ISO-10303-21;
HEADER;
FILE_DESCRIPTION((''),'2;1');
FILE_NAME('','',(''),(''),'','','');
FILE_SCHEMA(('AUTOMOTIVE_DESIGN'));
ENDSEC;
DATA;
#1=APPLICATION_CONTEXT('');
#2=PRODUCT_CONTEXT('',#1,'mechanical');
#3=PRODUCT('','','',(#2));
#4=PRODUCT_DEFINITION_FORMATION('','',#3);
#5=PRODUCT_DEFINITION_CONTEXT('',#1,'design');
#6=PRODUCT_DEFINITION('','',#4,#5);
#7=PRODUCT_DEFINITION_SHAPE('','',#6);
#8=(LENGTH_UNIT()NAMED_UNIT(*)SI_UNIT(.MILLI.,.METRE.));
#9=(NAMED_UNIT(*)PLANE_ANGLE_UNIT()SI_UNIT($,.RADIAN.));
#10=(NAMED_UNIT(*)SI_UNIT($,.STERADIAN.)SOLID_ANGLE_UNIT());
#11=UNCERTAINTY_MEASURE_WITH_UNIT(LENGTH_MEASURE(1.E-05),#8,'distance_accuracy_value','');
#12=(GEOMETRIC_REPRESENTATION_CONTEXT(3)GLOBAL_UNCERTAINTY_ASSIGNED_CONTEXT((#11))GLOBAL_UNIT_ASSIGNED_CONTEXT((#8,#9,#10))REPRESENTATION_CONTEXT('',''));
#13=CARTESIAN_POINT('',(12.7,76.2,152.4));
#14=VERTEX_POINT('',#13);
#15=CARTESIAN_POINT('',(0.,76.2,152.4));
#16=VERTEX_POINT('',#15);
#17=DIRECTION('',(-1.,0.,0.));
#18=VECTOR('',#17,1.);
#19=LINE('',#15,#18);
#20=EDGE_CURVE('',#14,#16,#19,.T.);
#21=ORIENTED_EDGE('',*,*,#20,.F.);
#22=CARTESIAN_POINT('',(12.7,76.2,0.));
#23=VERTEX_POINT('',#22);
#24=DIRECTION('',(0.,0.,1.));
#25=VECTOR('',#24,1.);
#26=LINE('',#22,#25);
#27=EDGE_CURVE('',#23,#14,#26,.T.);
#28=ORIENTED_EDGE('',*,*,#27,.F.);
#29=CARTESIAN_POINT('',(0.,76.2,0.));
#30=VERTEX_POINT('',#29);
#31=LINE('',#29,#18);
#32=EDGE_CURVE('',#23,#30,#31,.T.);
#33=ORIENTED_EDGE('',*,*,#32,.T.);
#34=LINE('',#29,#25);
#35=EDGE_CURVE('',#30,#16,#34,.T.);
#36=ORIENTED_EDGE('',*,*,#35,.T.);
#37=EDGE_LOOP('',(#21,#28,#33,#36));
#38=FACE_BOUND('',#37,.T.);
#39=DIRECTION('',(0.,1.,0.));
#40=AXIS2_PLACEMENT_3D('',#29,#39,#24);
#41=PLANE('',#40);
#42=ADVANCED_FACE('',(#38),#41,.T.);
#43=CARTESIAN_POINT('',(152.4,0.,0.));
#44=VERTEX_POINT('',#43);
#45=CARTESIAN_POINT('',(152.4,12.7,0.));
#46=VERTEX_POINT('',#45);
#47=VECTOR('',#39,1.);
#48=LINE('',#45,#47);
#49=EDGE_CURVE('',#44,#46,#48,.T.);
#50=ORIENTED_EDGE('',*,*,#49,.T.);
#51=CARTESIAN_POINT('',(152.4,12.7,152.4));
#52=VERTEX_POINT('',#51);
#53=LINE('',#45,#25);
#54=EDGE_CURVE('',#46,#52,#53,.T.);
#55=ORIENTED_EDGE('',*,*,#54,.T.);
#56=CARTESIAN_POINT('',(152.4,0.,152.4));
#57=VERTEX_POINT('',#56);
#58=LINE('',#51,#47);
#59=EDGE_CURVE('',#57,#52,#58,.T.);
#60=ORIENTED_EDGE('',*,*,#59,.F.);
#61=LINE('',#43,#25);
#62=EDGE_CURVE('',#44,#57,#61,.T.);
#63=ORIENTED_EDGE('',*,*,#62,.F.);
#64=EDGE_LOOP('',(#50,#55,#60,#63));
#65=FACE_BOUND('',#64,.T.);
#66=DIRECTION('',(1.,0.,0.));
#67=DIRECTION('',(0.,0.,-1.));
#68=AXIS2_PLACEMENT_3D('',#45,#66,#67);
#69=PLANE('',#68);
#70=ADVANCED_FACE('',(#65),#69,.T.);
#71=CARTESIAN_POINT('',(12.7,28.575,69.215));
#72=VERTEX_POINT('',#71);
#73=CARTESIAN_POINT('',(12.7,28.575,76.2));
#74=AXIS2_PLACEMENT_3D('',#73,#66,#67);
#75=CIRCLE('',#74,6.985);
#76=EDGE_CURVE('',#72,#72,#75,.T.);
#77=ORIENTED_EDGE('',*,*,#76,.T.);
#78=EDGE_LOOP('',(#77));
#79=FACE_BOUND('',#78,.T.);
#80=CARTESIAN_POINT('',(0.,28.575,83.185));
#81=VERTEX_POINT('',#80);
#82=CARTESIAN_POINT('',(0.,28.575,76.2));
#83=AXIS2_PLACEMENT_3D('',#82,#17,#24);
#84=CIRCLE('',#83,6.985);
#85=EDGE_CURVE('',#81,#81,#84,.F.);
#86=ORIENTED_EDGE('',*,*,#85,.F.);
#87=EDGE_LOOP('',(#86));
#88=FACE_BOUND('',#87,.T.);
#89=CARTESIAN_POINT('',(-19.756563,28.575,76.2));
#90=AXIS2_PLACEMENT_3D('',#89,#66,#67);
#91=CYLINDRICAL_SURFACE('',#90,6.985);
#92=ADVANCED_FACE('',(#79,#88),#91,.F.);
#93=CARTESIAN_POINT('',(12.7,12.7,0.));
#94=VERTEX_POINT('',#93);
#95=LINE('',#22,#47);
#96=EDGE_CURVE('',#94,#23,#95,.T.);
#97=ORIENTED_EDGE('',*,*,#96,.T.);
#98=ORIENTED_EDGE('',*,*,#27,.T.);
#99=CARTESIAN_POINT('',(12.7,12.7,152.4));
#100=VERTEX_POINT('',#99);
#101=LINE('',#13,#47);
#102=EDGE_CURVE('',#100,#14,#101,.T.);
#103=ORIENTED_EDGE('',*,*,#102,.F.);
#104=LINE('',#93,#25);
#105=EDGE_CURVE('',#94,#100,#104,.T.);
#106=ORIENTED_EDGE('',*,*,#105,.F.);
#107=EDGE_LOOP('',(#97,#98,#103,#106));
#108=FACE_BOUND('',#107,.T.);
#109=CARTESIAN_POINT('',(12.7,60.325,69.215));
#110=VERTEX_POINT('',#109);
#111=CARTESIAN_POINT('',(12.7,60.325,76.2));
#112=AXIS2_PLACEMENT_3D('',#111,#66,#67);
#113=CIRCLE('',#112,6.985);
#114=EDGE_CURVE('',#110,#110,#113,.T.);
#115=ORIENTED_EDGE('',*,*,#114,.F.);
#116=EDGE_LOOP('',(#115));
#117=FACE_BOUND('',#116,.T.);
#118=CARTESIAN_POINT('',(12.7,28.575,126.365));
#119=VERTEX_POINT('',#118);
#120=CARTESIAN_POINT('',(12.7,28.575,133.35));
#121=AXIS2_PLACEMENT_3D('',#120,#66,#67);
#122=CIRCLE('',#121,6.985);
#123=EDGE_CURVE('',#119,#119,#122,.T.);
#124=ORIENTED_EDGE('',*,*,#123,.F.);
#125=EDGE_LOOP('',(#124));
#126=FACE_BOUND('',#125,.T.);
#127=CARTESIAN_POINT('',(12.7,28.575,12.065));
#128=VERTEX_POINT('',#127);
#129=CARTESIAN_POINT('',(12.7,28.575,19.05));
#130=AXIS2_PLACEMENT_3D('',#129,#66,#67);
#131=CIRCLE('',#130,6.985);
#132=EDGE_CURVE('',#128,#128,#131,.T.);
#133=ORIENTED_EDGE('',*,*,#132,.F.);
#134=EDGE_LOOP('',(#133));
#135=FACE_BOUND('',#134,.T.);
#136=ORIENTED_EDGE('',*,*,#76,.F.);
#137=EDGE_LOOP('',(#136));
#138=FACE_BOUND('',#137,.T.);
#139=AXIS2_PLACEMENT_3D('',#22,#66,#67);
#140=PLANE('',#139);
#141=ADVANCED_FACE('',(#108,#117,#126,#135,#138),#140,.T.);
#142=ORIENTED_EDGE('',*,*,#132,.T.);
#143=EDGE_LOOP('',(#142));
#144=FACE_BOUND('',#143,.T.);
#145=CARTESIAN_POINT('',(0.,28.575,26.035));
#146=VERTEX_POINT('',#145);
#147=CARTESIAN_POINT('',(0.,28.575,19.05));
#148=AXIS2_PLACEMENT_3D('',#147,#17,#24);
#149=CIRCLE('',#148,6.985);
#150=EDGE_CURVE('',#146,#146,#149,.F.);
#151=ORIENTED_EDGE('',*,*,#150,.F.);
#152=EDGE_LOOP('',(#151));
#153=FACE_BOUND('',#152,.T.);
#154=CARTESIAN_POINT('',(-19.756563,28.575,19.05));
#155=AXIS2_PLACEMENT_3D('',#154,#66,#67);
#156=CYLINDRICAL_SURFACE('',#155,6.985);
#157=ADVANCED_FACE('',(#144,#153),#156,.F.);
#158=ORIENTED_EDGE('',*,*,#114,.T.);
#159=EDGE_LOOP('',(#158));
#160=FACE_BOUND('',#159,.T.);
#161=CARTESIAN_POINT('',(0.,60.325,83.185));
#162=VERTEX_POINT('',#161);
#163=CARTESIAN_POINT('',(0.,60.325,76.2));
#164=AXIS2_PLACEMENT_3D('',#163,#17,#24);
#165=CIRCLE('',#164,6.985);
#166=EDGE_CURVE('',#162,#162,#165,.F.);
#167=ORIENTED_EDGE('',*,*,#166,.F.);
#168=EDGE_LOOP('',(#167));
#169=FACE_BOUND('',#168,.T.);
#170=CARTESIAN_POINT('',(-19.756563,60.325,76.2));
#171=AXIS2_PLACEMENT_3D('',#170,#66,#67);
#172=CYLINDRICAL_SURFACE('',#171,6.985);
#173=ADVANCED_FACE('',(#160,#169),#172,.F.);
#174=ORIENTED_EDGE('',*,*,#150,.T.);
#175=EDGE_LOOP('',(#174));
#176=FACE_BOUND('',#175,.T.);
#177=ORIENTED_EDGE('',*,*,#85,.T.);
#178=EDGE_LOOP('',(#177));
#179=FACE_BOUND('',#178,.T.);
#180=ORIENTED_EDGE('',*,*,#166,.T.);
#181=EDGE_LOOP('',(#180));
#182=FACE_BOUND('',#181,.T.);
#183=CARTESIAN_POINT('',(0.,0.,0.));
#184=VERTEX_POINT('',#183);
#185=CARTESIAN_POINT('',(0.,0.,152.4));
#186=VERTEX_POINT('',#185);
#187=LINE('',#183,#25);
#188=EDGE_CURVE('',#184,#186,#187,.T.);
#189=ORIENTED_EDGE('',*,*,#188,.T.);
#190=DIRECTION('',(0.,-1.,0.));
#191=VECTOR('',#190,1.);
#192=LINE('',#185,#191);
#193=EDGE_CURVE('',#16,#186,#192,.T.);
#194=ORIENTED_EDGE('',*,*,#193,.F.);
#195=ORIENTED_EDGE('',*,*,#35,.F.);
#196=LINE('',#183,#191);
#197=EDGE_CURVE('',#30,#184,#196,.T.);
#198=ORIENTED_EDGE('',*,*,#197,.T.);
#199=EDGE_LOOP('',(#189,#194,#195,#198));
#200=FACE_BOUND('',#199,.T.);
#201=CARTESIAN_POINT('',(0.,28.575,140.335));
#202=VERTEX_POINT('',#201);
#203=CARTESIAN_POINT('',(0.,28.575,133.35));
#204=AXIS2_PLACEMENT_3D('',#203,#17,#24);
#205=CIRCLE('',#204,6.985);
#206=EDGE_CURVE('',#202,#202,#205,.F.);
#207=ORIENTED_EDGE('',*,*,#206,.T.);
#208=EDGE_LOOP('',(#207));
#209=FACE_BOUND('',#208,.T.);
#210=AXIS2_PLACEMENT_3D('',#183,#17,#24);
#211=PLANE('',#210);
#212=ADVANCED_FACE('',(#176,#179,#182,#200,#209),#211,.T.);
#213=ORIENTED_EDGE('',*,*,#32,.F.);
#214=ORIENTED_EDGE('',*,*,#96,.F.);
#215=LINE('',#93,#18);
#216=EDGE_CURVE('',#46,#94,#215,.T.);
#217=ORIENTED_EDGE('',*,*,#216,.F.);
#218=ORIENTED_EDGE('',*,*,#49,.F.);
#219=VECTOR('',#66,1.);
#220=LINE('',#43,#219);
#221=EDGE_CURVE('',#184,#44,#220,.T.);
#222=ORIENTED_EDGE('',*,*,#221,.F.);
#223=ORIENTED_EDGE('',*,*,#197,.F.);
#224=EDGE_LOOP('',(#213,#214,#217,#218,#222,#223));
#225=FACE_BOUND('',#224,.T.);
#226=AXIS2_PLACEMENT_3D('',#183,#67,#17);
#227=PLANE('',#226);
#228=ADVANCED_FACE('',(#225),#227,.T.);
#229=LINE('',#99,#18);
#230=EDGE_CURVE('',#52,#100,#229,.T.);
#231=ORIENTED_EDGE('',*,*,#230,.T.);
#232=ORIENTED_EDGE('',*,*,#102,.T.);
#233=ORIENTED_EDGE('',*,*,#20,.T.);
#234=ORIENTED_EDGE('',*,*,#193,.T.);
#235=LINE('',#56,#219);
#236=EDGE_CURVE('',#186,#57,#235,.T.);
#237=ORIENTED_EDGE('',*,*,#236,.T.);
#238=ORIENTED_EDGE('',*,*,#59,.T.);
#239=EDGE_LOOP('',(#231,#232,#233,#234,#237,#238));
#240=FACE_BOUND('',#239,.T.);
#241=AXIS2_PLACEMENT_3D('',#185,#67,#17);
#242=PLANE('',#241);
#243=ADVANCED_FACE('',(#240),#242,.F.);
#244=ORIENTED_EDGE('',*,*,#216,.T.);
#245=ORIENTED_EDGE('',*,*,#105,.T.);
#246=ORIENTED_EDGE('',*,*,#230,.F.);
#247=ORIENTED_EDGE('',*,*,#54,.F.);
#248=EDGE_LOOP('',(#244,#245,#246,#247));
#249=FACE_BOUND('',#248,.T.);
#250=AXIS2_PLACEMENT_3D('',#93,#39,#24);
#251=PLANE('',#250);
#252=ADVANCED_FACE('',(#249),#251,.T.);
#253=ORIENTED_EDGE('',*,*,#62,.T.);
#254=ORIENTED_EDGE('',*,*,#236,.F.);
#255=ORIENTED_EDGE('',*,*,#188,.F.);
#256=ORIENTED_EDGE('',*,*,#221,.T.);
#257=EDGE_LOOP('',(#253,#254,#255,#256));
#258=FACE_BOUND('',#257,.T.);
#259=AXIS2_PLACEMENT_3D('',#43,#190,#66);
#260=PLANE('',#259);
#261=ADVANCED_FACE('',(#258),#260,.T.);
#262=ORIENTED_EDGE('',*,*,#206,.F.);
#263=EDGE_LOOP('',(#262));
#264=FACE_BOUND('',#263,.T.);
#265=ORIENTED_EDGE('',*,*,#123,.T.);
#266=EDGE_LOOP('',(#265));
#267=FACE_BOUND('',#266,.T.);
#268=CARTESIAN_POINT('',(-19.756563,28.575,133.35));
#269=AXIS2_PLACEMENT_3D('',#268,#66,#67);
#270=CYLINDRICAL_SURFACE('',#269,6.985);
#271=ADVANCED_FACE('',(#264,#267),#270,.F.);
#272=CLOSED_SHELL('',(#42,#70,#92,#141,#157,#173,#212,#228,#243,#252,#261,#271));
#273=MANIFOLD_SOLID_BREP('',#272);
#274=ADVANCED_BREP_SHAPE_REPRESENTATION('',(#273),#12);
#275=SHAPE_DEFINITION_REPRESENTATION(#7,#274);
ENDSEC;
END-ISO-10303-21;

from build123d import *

# Parameters (mm, degrees)
SKETCH7_R          = 6.985
CUT_EXTRUDE4_DEPTH = 12.7


with BuildPart() as part:
    # Sweep1: sweep along a path in Sketch2
    with BuildLine(Plane(origin=(0, 0, 0), x_dir=(1, 0, 0), z_dir=(0, 1, 0))) as sweep1_path:
        Line((0, 0), (0, -152.4))
    # Sketch1 → Sweep1 (sweep)
    with BuildSketch(Plane.XY):
        Polygon((0, 0), (0, 76.2), (12.7, 76.2), (12.7, 12.7), (152.4, 12.7), (152.4, 0), align=None)
    sweep(path=sweep1_path.line)

    # Sketch7 → Cut-Extrude4 (cut)
    with BuildSketch(Plane(origin=(12.7, 0, 0), x_dir=(0, 0, -1), z_dir=(1, 0, 0))):
        with Locations((-133.35, 28.575)):
            Circle(SKETCH7_R)
        with Locations((-19.05, 28.575)):
            Circle(SKETCH7_R)
        with Locations((-76.2, 60.325)):
            Circle(SKETCH7_R)
        with Locations((-76.2, 28.575)):
            Circle(SKETCH7_R)
    extrude(amount=-CUT_EXTRUDE4_DEPTH, mode=Mode.SUBTRACT)


solid = part.part
